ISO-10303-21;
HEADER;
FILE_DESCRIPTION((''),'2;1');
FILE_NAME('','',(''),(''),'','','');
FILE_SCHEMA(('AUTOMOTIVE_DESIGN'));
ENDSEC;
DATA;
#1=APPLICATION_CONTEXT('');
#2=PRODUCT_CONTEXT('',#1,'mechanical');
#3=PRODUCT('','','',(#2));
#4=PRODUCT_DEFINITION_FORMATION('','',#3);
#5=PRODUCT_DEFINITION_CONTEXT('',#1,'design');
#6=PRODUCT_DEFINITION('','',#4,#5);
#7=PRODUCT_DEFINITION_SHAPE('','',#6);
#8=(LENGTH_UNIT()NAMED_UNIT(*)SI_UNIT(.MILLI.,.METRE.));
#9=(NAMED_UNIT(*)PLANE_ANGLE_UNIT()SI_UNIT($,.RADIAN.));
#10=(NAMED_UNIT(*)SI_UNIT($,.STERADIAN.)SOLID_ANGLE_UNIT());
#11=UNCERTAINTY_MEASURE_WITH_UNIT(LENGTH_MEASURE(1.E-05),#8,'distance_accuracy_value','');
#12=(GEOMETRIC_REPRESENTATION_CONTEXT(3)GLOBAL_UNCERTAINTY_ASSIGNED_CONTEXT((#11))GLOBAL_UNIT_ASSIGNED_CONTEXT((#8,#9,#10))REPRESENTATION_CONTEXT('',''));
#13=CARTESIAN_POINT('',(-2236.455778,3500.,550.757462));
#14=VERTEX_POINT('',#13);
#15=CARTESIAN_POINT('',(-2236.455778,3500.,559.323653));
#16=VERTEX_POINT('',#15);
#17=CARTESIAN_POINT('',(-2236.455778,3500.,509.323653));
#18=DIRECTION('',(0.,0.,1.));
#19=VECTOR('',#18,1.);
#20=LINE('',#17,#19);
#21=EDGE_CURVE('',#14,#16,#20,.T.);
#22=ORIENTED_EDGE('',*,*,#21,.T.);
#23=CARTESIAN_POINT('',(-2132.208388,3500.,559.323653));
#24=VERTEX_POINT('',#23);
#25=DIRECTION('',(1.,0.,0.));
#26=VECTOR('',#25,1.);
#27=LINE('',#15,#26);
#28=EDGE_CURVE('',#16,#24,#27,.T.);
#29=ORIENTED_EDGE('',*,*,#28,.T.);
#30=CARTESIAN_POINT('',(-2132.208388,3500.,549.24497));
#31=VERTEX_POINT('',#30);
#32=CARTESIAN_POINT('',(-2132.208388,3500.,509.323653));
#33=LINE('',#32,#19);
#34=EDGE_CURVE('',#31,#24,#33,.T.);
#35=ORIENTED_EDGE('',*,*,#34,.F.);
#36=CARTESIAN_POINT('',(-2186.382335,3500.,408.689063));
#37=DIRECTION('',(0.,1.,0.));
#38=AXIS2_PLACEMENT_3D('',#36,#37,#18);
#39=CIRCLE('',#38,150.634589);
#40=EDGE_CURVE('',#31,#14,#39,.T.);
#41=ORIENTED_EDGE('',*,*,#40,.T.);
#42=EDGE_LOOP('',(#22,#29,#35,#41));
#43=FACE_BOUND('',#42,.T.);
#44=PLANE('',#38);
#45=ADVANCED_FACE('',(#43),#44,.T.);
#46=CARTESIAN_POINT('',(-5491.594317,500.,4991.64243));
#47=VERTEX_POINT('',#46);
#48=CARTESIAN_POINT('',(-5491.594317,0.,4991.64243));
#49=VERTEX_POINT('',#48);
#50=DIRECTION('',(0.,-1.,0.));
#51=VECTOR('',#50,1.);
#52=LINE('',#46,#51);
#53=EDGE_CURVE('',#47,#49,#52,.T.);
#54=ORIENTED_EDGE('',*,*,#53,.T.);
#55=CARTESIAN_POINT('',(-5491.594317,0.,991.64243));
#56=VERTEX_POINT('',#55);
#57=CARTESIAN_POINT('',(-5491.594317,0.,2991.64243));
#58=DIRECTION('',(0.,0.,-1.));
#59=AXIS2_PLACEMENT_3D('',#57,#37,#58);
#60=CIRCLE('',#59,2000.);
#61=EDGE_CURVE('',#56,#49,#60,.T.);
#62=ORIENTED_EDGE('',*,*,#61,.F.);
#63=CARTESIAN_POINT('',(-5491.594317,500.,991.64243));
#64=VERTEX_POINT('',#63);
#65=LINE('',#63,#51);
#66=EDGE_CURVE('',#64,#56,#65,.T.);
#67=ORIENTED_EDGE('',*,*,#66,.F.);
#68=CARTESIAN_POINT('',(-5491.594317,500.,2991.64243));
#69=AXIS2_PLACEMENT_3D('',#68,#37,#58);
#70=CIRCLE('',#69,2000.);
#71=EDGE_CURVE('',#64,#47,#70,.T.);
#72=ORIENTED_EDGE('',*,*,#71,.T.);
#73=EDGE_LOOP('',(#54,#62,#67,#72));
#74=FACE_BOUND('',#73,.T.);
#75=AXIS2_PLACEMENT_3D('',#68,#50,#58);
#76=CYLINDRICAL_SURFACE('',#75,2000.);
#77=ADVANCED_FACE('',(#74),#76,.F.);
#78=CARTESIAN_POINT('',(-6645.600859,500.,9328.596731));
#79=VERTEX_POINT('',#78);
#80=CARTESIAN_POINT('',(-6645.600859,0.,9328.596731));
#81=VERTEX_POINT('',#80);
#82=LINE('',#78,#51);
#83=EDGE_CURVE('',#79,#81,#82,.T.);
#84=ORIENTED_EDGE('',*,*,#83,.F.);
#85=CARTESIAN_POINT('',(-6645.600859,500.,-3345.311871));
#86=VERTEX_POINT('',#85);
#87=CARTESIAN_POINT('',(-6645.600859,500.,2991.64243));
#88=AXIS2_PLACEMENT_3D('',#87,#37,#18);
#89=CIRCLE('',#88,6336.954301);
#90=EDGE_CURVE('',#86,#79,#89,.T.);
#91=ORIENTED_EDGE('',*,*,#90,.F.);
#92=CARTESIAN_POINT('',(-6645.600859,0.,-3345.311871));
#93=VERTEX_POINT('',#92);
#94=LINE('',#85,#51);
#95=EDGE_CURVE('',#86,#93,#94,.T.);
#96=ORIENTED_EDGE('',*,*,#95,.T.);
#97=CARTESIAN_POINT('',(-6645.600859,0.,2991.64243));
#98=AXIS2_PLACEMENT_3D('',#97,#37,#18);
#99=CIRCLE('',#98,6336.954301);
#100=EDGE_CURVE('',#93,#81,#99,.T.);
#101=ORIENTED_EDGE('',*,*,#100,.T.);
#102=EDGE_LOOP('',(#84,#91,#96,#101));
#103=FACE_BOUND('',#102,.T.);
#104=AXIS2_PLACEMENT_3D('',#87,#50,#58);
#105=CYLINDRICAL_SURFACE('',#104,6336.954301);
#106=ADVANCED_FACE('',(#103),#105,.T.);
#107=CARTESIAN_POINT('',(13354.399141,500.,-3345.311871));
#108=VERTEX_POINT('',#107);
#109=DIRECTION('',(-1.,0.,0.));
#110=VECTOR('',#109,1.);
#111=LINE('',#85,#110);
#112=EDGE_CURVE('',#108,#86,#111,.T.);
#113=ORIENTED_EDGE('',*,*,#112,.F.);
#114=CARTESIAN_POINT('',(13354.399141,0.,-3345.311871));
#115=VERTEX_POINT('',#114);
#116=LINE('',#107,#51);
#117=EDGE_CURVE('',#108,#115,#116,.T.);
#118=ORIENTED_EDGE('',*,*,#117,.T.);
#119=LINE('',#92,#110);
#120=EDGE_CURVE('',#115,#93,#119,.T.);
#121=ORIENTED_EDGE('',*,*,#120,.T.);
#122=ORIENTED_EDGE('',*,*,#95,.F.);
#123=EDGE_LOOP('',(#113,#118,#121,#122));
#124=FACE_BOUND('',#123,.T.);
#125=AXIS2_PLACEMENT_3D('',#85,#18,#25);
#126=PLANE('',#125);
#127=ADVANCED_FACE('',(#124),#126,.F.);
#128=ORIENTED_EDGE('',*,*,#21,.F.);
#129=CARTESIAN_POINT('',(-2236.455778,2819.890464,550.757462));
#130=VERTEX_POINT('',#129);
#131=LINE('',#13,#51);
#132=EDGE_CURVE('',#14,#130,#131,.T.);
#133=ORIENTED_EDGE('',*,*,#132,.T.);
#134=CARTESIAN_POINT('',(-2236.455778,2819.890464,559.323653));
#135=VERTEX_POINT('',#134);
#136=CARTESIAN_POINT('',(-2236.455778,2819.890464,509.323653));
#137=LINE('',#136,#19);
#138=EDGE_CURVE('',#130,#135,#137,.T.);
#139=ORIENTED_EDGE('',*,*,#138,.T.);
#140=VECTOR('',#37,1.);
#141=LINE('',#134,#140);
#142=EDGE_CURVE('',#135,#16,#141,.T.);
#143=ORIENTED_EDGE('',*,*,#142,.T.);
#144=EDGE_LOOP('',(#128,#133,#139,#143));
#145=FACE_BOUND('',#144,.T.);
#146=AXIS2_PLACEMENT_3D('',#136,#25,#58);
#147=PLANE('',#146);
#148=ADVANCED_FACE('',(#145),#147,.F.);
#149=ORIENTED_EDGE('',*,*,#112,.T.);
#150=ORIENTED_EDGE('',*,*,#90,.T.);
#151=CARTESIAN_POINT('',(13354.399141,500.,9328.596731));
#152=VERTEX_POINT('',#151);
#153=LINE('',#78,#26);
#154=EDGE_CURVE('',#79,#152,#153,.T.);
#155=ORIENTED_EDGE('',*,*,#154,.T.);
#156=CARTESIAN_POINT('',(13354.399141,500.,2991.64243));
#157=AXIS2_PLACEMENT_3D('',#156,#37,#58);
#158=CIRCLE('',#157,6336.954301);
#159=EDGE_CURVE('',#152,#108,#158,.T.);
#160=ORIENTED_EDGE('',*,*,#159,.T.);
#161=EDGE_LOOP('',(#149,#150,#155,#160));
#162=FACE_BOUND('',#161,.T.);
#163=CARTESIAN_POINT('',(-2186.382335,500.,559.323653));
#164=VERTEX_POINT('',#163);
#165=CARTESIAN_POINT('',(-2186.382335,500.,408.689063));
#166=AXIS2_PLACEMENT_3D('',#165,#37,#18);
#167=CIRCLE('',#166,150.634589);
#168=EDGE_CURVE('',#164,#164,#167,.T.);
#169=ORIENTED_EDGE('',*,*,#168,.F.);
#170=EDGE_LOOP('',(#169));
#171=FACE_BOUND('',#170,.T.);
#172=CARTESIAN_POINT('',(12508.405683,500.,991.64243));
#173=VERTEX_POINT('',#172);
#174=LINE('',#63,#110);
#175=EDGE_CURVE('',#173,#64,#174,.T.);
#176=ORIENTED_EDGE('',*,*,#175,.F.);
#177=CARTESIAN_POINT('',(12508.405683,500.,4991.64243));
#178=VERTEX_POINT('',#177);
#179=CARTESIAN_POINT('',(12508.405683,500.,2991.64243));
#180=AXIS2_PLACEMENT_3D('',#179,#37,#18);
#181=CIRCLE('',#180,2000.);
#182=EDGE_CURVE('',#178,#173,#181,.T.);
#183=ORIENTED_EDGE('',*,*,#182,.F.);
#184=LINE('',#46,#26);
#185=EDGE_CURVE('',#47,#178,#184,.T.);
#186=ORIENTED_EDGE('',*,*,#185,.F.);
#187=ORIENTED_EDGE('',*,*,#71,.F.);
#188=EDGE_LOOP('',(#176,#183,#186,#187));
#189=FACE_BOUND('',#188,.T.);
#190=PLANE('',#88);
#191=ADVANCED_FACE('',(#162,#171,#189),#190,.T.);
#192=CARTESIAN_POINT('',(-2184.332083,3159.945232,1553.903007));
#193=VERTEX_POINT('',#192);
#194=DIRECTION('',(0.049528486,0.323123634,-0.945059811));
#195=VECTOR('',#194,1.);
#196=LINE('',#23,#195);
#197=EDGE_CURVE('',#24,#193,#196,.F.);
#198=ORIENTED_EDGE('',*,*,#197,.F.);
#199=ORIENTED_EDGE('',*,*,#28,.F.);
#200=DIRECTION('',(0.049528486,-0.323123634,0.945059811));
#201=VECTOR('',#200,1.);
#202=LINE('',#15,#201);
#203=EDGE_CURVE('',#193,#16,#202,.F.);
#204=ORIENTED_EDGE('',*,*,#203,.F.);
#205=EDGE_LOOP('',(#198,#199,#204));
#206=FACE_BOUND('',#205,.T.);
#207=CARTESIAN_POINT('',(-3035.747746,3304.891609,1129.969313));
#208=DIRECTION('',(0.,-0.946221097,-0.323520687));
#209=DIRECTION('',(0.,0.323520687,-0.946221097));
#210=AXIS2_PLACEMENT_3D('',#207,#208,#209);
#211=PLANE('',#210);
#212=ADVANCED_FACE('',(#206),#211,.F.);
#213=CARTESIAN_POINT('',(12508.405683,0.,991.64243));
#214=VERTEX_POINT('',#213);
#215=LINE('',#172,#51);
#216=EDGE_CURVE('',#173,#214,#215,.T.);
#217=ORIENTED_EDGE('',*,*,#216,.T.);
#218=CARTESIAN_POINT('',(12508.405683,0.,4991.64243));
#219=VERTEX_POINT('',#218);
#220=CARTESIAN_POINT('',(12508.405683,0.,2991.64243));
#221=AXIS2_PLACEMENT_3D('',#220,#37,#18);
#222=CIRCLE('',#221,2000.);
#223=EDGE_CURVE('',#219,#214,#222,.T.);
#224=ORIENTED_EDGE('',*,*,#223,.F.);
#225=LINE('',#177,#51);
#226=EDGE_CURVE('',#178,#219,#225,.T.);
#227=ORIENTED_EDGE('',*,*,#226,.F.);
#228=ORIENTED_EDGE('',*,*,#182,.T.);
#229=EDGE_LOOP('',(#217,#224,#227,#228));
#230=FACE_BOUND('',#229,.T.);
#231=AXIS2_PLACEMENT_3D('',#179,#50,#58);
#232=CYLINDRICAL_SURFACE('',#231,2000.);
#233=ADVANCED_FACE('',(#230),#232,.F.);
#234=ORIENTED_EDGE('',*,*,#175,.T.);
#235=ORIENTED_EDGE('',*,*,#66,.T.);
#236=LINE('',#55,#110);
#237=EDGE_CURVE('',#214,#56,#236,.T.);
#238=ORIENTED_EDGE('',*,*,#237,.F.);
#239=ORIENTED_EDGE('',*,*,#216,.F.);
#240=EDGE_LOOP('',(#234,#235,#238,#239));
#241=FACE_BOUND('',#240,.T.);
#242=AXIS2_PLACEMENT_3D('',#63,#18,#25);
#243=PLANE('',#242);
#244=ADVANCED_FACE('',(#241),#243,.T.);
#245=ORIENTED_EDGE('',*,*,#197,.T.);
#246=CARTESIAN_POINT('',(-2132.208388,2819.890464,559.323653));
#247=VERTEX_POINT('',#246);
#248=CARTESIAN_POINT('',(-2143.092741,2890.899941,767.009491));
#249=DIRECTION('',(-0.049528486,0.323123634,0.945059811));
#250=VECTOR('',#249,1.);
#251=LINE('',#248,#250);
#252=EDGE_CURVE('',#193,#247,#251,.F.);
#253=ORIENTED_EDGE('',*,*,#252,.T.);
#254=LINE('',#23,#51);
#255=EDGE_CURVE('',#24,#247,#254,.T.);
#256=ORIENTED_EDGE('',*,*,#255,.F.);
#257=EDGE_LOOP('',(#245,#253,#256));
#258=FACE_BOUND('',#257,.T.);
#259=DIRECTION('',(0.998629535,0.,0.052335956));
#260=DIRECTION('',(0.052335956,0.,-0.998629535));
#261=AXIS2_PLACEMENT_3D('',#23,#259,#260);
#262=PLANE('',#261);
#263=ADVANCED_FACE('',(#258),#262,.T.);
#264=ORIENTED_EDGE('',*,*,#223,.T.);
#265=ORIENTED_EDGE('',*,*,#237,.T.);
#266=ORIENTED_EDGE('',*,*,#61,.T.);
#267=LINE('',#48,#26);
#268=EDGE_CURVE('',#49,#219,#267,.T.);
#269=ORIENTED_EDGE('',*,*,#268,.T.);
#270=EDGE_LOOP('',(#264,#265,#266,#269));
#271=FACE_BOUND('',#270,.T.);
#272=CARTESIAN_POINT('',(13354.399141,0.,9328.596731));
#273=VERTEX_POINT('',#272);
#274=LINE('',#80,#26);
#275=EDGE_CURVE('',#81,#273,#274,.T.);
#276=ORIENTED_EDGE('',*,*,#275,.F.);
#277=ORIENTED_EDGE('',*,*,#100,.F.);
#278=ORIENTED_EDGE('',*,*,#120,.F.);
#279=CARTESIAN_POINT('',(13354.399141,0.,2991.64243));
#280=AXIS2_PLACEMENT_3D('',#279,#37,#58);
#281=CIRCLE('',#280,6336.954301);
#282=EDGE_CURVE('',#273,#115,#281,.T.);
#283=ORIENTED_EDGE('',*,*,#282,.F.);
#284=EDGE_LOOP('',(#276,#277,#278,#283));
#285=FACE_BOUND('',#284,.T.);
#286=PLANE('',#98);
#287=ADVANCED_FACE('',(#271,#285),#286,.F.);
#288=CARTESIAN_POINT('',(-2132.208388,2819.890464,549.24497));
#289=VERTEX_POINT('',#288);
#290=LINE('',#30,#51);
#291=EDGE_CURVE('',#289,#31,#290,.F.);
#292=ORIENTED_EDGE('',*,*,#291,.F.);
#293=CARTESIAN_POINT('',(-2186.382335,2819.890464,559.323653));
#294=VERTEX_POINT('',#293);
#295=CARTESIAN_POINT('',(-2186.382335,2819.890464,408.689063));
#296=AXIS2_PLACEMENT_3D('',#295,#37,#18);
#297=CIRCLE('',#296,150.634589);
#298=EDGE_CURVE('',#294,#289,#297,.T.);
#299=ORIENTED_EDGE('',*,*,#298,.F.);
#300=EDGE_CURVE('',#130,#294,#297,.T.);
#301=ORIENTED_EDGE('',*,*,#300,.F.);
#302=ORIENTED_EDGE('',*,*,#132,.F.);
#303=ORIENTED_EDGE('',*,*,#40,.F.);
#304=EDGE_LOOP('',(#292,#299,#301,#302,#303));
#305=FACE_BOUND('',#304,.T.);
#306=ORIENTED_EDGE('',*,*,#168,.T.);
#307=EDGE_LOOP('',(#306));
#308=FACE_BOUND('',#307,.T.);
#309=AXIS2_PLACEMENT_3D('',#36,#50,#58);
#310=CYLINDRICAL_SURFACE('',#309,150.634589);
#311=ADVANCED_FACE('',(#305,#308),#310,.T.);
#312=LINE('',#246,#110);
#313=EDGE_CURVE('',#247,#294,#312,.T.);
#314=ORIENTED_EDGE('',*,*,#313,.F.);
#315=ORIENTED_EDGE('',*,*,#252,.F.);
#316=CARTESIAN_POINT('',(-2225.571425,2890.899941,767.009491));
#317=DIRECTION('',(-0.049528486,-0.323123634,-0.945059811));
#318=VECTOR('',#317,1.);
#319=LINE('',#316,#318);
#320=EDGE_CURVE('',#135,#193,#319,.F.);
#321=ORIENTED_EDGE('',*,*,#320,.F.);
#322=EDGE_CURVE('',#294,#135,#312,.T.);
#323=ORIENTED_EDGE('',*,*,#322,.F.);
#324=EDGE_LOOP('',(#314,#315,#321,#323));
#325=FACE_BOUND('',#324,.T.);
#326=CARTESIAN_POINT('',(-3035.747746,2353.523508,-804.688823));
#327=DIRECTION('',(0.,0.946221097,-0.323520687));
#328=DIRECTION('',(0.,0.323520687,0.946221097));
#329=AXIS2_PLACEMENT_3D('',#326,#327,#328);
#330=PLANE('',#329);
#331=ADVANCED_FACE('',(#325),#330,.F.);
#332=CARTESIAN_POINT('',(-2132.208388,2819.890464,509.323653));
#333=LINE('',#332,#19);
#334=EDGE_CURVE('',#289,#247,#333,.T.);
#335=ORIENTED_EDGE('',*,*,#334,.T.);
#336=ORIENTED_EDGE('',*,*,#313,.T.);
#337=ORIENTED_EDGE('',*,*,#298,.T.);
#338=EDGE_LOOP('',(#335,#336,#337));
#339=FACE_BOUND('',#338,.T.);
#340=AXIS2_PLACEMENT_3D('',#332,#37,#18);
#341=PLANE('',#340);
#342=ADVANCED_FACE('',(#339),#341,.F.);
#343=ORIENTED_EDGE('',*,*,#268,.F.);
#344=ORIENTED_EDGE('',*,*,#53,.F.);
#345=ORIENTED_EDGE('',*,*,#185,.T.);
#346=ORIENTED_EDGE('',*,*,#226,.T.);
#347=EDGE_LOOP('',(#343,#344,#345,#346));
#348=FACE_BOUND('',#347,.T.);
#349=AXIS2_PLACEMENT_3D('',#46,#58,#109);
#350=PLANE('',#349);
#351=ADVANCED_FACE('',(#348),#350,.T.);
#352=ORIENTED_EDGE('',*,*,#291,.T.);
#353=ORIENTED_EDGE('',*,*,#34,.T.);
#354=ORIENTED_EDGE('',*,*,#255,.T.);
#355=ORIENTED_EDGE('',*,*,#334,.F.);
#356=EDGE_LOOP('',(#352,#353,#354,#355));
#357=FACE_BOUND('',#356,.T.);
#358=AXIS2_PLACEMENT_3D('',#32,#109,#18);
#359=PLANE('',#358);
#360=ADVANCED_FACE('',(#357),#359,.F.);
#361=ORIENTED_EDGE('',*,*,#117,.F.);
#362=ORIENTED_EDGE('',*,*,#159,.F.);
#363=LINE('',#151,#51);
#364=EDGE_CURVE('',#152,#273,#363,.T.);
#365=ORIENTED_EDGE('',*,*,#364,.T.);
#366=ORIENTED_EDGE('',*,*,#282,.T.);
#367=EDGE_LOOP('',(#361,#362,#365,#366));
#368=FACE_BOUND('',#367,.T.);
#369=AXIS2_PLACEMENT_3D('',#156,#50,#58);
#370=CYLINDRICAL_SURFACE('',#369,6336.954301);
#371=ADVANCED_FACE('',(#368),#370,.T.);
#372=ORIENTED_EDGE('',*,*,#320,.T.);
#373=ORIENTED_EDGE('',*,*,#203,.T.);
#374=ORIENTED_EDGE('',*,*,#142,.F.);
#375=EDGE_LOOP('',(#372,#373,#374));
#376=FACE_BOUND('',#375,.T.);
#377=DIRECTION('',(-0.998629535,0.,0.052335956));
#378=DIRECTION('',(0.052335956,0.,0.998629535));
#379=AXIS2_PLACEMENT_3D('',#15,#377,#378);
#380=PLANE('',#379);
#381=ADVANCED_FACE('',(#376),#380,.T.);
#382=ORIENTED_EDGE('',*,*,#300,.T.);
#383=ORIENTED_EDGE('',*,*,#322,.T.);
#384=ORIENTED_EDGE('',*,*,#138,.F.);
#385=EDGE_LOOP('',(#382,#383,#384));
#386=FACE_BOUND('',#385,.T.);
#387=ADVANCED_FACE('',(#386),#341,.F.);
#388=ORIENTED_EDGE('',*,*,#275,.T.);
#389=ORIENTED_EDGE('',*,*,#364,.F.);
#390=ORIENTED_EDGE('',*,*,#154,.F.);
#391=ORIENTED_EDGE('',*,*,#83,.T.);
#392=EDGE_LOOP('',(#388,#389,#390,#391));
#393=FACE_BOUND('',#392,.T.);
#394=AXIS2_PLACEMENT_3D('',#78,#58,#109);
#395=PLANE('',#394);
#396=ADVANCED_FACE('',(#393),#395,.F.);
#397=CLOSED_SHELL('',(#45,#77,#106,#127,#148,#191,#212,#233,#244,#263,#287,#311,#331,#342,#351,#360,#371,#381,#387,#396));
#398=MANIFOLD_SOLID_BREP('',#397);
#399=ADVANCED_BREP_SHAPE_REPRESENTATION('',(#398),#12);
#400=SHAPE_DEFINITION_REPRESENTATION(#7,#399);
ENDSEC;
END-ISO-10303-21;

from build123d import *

# Parameters (mm, degrees)
BOSS_EXTRUDE1_DEPTH = 500
SKETCH5_R           = 150.634589438
BOSS_EXTRUDE4_DEPTH = 3000
SKETCH6_W           = 104.247390594
SKETCH6_H           = 680.109536147
BOSS_EXTRUDE5_DEPTH = 1000
BOSS_EXTRUDE5_TAPER = 3
CUT_EXTRUDE1_DEPTH  = 1000
SKETCH9_W           = 104.247390594
SKETCH9_H           = 680.109536147
BOSS_EXTRUDE6_DEPTH = 50


with BuildPart() as part:
    # Sketch1 → Boss-Extrude1 (new body)
    with BuildSketch(Plane(origin=(0, 0, 0), x_dir=(1, 0, 0), z_dir=(0, 1, 0))):
        with BuildLine():
            Line((-6645.600859059, 3345.311870775), (13354.399140941, 3345.311870775))
            ThreePointArc((13354.399140941, 3345.311870775), (19691.353441646, -2991.642429929), (13354.399140941, -9328.596730634))
            Line((13354.399140941, -9328.596730634), (-6645.600859059, -9328.596730634))
            ThreePointArc((-6645.600859059, -9328.596730634), (-12982.555159763, -2991.642429929), (-6645.600859059, 3345.311870775))
        make_face()
        with BuildLine():
            Line((-5491.594317378, -991.642429929), (12508.405682622, -991.642429929))
            ThreePointArc((12508.405682622, -991.642429929), (14508.405682622, -2991.642429929), (12508.405682622, -4991.642429929))
            Line((12508.405682622, -4991.642429929), (-5491.594317378, -4991.642429929))
            ThreePointArc((-5491.594317378, -4991.642429929), (-7491.594317378, -2991.642429929), (-5491.594317378, -991.642429929))
        make_face(mode=Mode.SUBTRACT)
    extrude(amount=BOSS_EXTRUDE1_DEPTH)

    # Sketch5 → Boss-Extrude4 (add)
    with BuildSketch(Plane(origin=(0, 500, 0), x_dir=(1, 0, 0), z_dir=(0, 1, 0))):
        with Locations((-2186.382335194, -408.689063218)):
            Circle(SKETCH5_R)
    extrude(amount=BOSS_EXTRUDE4_DEPTH)



with BuildPart() as body_2:
    # Sketch6 → Boss-Extrude5 (new body)
    with BuildSketch(Plane.XY.offset(559.323652656)):
        with Locations((-2184.332083006, 3159.945231927)):
            Rectangle(SKETCH6_W, SKETCH6_H)
    extrude(amount=BOSS_EXTRUDE5_DEPTH, taper=BOSS_EXTRUDE5_TAPER)

    # Sketch8 → Cut-Extrude1 (cut)
    with BuildSketch(Plane(origin=(-2035.747745755, 0, 0), x_dir=(0, 0, -1), z_dir=(1, 0, 0))):
        Polygon((-559.323652656, 3500), (-1553.903007293, 3447.876304703), (-1553.903007293, 3159.945231926), align=None)
        Polygon((-1553.903007293, 2872.01415915), (-1553.903007293, 3159.945231926), (-559.323652656, 2819.890463853), align=None)
    extrude(amount=-CUT_EXTRUDE1_DEPTH, mode=Mode.SUBTRACT)


with BuildPart() as part_1:
    add(part.part)

    add(body_2.part)  # Boss-Extrude6 merges body 2
    # Sketch9 → Boss-Extrude6 (add)
    with BuildSketch(Plane(origin=(0, 0, 559.323652656), x_dir=(-1, 0, 0), z_dir=(0, 0, -1))):
        with Locations((2184.332083006, 3159.945231927)):
            Rectangle(SKETCH9_W, SKETCH9_H)
    extrude(amount=BOSS_EXTRUDE6_DEPTH)


solid = part_1.part
